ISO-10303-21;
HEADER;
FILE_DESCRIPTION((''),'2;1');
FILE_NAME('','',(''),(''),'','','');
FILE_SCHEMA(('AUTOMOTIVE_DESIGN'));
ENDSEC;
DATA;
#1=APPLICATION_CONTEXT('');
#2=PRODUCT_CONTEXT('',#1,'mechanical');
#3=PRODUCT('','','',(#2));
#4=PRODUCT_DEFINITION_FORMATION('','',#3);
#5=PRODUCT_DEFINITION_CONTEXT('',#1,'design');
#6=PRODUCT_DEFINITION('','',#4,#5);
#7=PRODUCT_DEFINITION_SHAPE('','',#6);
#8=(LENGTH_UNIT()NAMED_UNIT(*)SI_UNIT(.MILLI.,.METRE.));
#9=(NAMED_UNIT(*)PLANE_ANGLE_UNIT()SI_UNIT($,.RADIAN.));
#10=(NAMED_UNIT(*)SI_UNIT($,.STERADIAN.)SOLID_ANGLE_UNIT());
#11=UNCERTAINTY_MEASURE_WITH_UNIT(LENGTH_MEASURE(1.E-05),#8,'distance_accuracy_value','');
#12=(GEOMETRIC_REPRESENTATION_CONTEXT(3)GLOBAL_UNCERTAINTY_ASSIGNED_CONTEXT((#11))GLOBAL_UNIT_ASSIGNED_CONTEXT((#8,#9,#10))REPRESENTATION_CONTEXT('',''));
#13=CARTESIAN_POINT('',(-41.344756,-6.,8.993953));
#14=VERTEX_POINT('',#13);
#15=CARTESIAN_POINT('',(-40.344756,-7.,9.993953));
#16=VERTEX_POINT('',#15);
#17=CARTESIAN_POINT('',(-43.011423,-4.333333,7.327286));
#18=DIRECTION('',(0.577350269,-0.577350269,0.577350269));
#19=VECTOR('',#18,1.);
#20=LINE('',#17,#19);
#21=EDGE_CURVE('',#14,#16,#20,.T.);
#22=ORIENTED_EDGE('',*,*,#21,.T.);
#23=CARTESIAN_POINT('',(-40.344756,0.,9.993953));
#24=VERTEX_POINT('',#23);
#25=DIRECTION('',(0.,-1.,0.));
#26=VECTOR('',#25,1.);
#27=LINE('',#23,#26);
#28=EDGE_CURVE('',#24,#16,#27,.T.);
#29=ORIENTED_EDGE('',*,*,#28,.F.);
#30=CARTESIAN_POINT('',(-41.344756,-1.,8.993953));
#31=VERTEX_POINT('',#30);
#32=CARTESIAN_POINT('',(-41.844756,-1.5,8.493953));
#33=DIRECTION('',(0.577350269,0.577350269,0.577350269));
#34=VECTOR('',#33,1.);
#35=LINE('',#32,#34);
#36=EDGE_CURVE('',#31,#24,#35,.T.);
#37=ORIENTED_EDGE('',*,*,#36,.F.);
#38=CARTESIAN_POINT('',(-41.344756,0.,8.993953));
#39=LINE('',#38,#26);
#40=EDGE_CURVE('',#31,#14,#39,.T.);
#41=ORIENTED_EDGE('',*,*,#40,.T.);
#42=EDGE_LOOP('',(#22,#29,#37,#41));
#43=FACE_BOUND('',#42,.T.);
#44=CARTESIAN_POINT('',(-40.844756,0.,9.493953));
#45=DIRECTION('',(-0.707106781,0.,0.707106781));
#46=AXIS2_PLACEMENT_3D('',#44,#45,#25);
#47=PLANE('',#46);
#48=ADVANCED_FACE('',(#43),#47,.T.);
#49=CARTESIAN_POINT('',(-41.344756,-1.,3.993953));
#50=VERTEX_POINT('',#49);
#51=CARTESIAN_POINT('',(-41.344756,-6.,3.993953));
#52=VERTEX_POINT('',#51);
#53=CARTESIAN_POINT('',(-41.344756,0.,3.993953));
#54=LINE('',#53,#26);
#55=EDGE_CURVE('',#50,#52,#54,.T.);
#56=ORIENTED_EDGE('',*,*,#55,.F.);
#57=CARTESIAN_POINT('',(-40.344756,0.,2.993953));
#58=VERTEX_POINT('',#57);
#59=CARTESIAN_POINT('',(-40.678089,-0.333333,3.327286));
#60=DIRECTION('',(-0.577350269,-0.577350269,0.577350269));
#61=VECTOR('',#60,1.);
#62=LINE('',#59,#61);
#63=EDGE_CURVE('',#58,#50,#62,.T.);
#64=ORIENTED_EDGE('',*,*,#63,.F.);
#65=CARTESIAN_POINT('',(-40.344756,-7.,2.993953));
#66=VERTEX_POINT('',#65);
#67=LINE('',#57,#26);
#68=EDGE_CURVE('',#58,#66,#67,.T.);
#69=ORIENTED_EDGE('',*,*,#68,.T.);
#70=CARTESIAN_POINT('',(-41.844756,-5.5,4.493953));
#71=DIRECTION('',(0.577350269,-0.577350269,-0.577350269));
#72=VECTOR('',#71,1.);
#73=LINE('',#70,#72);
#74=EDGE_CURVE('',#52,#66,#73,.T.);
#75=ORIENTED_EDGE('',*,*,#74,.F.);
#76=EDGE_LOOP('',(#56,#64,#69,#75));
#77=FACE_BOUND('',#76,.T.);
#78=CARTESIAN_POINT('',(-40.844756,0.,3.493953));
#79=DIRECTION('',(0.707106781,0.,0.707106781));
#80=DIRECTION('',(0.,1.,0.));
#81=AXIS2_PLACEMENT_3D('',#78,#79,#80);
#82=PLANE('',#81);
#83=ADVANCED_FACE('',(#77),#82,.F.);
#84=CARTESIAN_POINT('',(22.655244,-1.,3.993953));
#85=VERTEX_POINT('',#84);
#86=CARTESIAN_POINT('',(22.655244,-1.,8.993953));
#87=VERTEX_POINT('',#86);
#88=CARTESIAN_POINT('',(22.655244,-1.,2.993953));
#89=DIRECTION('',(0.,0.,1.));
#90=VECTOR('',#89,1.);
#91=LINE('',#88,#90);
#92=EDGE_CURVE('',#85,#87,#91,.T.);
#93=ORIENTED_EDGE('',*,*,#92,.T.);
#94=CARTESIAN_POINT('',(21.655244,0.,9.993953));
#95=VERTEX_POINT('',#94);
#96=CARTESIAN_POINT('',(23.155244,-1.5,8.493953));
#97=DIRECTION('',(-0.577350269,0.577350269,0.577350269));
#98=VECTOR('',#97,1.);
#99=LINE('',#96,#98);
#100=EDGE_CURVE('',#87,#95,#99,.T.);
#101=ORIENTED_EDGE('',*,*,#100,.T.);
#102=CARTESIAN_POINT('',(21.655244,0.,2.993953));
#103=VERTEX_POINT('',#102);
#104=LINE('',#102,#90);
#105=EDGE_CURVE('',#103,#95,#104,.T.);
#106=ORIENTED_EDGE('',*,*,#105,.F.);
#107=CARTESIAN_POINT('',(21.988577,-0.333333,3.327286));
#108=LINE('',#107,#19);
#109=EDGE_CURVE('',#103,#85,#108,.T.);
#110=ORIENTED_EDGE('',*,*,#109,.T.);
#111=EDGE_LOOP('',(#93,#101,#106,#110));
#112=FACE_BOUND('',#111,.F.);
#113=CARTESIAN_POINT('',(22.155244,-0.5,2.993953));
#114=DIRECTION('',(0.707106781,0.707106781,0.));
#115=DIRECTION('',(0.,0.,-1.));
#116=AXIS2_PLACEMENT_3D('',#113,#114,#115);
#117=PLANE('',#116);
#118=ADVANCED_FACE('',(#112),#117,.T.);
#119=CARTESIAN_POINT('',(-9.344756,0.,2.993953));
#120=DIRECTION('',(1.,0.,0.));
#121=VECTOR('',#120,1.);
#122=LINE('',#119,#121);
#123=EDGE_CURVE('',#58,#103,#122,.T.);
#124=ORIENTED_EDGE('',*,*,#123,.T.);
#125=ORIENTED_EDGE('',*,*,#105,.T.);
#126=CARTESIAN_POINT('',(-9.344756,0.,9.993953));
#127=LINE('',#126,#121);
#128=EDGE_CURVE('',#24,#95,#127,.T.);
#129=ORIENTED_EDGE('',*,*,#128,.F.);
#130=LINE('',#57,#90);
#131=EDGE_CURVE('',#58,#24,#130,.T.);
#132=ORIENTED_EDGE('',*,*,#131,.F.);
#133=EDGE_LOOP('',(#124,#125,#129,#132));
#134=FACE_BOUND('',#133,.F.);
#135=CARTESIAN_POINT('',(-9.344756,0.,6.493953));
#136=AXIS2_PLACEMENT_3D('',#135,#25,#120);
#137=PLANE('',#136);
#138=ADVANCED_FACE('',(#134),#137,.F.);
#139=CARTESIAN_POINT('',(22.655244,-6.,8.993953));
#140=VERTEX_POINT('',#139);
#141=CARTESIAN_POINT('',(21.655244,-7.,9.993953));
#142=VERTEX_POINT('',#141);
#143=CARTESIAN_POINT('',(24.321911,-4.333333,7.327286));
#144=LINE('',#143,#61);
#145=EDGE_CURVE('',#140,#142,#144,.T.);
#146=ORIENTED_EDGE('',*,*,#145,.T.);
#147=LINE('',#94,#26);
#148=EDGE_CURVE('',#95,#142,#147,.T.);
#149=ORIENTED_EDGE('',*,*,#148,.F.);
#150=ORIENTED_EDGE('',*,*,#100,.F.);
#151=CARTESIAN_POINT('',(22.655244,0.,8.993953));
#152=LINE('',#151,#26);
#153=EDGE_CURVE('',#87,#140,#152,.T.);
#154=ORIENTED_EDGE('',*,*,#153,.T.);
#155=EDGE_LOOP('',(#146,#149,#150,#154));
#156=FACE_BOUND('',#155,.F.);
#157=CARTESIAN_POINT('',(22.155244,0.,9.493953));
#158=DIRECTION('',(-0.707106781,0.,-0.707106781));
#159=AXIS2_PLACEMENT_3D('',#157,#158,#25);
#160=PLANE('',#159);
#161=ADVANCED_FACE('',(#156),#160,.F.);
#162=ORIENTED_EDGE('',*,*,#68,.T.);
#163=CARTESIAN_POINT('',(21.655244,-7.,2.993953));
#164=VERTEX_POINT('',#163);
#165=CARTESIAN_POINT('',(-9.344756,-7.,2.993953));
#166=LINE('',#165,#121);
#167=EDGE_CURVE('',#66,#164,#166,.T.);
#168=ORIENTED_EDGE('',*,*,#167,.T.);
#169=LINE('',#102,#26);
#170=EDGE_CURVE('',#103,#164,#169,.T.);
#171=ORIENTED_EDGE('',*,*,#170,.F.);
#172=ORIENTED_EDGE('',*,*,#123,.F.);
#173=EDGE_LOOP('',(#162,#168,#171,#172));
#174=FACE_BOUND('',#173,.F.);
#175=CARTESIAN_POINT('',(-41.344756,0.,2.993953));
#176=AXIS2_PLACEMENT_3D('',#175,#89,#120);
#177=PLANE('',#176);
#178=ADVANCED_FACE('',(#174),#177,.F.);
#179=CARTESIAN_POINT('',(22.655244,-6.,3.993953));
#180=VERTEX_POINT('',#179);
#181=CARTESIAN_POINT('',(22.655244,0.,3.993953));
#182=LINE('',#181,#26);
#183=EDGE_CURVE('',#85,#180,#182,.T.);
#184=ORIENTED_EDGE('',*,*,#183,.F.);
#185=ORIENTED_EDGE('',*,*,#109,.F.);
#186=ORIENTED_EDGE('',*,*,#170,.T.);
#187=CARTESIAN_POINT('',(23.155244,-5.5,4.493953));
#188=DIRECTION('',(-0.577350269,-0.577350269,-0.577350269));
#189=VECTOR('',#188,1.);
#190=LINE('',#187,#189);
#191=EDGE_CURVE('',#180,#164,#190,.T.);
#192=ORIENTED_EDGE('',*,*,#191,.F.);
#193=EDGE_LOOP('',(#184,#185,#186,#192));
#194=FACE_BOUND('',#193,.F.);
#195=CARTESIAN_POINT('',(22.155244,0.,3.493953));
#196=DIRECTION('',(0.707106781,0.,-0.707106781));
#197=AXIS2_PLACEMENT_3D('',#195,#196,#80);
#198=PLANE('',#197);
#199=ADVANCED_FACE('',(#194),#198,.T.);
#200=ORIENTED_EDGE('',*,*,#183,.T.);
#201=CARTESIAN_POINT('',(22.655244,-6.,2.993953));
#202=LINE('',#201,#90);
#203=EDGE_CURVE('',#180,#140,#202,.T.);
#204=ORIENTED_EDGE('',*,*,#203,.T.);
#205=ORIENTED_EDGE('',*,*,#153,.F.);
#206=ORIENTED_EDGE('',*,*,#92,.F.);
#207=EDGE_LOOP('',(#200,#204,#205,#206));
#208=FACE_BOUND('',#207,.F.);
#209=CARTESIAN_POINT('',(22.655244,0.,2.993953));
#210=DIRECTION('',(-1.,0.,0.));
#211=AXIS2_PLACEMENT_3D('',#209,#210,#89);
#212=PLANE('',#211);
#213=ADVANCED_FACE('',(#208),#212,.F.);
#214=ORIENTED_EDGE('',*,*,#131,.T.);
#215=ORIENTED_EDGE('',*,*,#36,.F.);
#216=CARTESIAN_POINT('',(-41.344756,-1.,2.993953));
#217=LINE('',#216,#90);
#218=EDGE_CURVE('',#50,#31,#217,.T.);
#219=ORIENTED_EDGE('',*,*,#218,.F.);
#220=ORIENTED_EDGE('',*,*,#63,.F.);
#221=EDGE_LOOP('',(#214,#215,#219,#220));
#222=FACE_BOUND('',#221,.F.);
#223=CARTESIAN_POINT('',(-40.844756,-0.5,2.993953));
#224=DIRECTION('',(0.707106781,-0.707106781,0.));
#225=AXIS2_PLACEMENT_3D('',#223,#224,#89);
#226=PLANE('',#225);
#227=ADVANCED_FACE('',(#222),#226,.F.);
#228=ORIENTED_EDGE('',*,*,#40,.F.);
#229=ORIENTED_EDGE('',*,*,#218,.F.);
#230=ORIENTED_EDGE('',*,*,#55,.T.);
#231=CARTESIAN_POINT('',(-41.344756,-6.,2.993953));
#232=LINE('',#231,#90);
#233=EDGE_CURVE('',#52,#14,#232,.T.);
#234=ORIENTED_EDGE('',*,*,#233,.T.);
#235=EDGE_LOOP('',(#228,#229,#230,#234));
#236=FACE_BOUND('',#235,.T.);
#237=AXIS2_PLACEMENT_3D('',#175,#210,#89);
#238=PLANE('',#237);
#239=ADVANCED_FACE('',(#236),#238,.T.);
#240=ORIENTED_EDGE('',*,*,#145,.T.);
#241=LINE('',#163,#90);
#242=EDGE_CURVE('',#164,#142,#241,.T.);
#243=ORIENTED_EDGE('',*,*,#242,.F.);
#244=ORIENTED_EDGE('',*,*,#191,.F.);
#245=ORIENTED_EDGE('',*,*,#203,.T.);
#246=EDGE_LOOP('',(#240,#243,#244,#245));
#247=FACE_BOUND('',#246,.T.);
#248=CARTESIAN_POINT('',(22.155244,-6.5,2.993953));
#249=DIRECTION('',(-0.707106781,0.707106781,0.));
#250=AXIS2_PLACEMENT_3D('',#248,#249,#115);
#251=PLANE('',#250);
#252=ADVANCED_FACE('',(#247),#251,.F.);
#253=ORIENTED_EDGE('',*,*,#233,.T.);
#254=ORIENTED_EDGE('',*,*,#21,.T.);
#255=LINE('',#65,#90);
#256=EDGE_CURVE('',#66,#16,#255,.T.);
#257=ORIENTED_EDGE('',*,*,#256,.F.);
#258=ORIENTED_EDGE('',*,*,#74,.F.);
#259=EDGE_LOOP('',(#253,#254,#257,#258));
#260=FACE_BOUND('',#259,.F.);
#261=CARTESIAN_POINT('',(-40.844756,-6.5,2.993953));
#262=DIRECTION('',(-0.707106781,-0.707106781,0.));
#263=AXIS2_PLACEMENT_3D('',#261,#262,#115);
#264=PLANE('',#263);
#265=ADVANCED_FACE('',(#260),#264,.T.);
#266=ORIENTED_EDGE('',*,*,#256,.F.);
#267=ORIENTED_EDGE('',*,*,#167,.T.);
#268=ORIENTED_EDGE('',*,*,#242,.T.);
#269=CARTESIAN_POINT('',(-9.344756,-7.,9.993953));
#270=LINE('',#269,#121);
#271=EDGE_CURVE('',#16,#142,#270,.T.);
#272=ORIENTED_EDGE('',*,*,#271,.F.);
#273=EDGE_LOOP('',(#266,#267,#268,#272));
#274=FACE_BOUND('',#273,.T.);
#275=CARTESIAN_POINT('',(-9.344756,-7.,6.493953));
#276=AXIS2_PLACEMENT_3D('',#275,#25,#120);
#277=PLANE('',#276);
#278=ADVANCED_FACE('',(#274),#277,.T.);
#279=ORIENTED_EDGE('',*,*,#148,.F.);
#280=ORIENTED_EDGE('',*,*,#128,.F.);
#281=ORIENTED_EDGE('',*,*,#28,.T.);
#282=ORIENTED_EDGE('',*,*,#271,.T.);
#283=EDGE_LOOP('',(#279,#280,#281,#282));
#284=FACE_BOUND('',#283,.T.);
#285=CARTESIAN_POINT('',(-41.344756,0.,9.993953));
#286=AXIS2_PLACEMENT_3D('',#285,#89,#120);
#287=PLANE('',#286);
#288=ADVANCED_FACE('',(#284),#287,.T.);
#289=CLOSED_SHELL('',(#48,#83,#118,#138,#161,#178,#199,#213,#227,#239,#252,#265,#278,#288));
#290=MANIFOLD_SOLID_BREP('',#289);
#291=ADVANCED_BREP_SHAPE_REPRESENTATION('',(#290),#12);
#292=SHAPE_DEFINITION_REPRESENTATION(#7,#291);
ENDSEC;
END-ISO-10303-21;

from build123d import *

# Parameters (mm, degrees)
F0_W     = 64
F0_H     = 7
F1_DEPTH = 7
F2_SIZE  = 1
F3_SIZE  = 1


with BuildPart() as f1:
    # F0 (on Front) → F1 (new body)
    with BuildSketch(Plane.XZ):
        with Locations((-9.344756, 6.493953)):
            Rectangle(F0_W, F0_H)
    extrude(amount=F1_DEPTH)

    # F2
    f2_edges = [f1.edges().sort_by_distance(p)[0] for p in [
        (22.655244, -3.5, 9.993953),
        (22.655244, -7, 6.493953),
        (22.655244, -3.5, 2.993953),
        (22.655244, 0, 6.493953),
    ]]
    chamfer(f2_edges, length=F2_SIZE)

    # F3
    f3_edges = [f1.edges().sort_by_distance(p)[0] for p in [
        (-41.344756, -7, 6.493953),
        (-41.344756, -3.5, 9.993953),
        (-41.344756, 0, 6.493953),
        (-41.344756, -3.5, 2.993953),
    ]]
    chamfer(f3_edges, length=F3_SIZE)


solid = f1.part
